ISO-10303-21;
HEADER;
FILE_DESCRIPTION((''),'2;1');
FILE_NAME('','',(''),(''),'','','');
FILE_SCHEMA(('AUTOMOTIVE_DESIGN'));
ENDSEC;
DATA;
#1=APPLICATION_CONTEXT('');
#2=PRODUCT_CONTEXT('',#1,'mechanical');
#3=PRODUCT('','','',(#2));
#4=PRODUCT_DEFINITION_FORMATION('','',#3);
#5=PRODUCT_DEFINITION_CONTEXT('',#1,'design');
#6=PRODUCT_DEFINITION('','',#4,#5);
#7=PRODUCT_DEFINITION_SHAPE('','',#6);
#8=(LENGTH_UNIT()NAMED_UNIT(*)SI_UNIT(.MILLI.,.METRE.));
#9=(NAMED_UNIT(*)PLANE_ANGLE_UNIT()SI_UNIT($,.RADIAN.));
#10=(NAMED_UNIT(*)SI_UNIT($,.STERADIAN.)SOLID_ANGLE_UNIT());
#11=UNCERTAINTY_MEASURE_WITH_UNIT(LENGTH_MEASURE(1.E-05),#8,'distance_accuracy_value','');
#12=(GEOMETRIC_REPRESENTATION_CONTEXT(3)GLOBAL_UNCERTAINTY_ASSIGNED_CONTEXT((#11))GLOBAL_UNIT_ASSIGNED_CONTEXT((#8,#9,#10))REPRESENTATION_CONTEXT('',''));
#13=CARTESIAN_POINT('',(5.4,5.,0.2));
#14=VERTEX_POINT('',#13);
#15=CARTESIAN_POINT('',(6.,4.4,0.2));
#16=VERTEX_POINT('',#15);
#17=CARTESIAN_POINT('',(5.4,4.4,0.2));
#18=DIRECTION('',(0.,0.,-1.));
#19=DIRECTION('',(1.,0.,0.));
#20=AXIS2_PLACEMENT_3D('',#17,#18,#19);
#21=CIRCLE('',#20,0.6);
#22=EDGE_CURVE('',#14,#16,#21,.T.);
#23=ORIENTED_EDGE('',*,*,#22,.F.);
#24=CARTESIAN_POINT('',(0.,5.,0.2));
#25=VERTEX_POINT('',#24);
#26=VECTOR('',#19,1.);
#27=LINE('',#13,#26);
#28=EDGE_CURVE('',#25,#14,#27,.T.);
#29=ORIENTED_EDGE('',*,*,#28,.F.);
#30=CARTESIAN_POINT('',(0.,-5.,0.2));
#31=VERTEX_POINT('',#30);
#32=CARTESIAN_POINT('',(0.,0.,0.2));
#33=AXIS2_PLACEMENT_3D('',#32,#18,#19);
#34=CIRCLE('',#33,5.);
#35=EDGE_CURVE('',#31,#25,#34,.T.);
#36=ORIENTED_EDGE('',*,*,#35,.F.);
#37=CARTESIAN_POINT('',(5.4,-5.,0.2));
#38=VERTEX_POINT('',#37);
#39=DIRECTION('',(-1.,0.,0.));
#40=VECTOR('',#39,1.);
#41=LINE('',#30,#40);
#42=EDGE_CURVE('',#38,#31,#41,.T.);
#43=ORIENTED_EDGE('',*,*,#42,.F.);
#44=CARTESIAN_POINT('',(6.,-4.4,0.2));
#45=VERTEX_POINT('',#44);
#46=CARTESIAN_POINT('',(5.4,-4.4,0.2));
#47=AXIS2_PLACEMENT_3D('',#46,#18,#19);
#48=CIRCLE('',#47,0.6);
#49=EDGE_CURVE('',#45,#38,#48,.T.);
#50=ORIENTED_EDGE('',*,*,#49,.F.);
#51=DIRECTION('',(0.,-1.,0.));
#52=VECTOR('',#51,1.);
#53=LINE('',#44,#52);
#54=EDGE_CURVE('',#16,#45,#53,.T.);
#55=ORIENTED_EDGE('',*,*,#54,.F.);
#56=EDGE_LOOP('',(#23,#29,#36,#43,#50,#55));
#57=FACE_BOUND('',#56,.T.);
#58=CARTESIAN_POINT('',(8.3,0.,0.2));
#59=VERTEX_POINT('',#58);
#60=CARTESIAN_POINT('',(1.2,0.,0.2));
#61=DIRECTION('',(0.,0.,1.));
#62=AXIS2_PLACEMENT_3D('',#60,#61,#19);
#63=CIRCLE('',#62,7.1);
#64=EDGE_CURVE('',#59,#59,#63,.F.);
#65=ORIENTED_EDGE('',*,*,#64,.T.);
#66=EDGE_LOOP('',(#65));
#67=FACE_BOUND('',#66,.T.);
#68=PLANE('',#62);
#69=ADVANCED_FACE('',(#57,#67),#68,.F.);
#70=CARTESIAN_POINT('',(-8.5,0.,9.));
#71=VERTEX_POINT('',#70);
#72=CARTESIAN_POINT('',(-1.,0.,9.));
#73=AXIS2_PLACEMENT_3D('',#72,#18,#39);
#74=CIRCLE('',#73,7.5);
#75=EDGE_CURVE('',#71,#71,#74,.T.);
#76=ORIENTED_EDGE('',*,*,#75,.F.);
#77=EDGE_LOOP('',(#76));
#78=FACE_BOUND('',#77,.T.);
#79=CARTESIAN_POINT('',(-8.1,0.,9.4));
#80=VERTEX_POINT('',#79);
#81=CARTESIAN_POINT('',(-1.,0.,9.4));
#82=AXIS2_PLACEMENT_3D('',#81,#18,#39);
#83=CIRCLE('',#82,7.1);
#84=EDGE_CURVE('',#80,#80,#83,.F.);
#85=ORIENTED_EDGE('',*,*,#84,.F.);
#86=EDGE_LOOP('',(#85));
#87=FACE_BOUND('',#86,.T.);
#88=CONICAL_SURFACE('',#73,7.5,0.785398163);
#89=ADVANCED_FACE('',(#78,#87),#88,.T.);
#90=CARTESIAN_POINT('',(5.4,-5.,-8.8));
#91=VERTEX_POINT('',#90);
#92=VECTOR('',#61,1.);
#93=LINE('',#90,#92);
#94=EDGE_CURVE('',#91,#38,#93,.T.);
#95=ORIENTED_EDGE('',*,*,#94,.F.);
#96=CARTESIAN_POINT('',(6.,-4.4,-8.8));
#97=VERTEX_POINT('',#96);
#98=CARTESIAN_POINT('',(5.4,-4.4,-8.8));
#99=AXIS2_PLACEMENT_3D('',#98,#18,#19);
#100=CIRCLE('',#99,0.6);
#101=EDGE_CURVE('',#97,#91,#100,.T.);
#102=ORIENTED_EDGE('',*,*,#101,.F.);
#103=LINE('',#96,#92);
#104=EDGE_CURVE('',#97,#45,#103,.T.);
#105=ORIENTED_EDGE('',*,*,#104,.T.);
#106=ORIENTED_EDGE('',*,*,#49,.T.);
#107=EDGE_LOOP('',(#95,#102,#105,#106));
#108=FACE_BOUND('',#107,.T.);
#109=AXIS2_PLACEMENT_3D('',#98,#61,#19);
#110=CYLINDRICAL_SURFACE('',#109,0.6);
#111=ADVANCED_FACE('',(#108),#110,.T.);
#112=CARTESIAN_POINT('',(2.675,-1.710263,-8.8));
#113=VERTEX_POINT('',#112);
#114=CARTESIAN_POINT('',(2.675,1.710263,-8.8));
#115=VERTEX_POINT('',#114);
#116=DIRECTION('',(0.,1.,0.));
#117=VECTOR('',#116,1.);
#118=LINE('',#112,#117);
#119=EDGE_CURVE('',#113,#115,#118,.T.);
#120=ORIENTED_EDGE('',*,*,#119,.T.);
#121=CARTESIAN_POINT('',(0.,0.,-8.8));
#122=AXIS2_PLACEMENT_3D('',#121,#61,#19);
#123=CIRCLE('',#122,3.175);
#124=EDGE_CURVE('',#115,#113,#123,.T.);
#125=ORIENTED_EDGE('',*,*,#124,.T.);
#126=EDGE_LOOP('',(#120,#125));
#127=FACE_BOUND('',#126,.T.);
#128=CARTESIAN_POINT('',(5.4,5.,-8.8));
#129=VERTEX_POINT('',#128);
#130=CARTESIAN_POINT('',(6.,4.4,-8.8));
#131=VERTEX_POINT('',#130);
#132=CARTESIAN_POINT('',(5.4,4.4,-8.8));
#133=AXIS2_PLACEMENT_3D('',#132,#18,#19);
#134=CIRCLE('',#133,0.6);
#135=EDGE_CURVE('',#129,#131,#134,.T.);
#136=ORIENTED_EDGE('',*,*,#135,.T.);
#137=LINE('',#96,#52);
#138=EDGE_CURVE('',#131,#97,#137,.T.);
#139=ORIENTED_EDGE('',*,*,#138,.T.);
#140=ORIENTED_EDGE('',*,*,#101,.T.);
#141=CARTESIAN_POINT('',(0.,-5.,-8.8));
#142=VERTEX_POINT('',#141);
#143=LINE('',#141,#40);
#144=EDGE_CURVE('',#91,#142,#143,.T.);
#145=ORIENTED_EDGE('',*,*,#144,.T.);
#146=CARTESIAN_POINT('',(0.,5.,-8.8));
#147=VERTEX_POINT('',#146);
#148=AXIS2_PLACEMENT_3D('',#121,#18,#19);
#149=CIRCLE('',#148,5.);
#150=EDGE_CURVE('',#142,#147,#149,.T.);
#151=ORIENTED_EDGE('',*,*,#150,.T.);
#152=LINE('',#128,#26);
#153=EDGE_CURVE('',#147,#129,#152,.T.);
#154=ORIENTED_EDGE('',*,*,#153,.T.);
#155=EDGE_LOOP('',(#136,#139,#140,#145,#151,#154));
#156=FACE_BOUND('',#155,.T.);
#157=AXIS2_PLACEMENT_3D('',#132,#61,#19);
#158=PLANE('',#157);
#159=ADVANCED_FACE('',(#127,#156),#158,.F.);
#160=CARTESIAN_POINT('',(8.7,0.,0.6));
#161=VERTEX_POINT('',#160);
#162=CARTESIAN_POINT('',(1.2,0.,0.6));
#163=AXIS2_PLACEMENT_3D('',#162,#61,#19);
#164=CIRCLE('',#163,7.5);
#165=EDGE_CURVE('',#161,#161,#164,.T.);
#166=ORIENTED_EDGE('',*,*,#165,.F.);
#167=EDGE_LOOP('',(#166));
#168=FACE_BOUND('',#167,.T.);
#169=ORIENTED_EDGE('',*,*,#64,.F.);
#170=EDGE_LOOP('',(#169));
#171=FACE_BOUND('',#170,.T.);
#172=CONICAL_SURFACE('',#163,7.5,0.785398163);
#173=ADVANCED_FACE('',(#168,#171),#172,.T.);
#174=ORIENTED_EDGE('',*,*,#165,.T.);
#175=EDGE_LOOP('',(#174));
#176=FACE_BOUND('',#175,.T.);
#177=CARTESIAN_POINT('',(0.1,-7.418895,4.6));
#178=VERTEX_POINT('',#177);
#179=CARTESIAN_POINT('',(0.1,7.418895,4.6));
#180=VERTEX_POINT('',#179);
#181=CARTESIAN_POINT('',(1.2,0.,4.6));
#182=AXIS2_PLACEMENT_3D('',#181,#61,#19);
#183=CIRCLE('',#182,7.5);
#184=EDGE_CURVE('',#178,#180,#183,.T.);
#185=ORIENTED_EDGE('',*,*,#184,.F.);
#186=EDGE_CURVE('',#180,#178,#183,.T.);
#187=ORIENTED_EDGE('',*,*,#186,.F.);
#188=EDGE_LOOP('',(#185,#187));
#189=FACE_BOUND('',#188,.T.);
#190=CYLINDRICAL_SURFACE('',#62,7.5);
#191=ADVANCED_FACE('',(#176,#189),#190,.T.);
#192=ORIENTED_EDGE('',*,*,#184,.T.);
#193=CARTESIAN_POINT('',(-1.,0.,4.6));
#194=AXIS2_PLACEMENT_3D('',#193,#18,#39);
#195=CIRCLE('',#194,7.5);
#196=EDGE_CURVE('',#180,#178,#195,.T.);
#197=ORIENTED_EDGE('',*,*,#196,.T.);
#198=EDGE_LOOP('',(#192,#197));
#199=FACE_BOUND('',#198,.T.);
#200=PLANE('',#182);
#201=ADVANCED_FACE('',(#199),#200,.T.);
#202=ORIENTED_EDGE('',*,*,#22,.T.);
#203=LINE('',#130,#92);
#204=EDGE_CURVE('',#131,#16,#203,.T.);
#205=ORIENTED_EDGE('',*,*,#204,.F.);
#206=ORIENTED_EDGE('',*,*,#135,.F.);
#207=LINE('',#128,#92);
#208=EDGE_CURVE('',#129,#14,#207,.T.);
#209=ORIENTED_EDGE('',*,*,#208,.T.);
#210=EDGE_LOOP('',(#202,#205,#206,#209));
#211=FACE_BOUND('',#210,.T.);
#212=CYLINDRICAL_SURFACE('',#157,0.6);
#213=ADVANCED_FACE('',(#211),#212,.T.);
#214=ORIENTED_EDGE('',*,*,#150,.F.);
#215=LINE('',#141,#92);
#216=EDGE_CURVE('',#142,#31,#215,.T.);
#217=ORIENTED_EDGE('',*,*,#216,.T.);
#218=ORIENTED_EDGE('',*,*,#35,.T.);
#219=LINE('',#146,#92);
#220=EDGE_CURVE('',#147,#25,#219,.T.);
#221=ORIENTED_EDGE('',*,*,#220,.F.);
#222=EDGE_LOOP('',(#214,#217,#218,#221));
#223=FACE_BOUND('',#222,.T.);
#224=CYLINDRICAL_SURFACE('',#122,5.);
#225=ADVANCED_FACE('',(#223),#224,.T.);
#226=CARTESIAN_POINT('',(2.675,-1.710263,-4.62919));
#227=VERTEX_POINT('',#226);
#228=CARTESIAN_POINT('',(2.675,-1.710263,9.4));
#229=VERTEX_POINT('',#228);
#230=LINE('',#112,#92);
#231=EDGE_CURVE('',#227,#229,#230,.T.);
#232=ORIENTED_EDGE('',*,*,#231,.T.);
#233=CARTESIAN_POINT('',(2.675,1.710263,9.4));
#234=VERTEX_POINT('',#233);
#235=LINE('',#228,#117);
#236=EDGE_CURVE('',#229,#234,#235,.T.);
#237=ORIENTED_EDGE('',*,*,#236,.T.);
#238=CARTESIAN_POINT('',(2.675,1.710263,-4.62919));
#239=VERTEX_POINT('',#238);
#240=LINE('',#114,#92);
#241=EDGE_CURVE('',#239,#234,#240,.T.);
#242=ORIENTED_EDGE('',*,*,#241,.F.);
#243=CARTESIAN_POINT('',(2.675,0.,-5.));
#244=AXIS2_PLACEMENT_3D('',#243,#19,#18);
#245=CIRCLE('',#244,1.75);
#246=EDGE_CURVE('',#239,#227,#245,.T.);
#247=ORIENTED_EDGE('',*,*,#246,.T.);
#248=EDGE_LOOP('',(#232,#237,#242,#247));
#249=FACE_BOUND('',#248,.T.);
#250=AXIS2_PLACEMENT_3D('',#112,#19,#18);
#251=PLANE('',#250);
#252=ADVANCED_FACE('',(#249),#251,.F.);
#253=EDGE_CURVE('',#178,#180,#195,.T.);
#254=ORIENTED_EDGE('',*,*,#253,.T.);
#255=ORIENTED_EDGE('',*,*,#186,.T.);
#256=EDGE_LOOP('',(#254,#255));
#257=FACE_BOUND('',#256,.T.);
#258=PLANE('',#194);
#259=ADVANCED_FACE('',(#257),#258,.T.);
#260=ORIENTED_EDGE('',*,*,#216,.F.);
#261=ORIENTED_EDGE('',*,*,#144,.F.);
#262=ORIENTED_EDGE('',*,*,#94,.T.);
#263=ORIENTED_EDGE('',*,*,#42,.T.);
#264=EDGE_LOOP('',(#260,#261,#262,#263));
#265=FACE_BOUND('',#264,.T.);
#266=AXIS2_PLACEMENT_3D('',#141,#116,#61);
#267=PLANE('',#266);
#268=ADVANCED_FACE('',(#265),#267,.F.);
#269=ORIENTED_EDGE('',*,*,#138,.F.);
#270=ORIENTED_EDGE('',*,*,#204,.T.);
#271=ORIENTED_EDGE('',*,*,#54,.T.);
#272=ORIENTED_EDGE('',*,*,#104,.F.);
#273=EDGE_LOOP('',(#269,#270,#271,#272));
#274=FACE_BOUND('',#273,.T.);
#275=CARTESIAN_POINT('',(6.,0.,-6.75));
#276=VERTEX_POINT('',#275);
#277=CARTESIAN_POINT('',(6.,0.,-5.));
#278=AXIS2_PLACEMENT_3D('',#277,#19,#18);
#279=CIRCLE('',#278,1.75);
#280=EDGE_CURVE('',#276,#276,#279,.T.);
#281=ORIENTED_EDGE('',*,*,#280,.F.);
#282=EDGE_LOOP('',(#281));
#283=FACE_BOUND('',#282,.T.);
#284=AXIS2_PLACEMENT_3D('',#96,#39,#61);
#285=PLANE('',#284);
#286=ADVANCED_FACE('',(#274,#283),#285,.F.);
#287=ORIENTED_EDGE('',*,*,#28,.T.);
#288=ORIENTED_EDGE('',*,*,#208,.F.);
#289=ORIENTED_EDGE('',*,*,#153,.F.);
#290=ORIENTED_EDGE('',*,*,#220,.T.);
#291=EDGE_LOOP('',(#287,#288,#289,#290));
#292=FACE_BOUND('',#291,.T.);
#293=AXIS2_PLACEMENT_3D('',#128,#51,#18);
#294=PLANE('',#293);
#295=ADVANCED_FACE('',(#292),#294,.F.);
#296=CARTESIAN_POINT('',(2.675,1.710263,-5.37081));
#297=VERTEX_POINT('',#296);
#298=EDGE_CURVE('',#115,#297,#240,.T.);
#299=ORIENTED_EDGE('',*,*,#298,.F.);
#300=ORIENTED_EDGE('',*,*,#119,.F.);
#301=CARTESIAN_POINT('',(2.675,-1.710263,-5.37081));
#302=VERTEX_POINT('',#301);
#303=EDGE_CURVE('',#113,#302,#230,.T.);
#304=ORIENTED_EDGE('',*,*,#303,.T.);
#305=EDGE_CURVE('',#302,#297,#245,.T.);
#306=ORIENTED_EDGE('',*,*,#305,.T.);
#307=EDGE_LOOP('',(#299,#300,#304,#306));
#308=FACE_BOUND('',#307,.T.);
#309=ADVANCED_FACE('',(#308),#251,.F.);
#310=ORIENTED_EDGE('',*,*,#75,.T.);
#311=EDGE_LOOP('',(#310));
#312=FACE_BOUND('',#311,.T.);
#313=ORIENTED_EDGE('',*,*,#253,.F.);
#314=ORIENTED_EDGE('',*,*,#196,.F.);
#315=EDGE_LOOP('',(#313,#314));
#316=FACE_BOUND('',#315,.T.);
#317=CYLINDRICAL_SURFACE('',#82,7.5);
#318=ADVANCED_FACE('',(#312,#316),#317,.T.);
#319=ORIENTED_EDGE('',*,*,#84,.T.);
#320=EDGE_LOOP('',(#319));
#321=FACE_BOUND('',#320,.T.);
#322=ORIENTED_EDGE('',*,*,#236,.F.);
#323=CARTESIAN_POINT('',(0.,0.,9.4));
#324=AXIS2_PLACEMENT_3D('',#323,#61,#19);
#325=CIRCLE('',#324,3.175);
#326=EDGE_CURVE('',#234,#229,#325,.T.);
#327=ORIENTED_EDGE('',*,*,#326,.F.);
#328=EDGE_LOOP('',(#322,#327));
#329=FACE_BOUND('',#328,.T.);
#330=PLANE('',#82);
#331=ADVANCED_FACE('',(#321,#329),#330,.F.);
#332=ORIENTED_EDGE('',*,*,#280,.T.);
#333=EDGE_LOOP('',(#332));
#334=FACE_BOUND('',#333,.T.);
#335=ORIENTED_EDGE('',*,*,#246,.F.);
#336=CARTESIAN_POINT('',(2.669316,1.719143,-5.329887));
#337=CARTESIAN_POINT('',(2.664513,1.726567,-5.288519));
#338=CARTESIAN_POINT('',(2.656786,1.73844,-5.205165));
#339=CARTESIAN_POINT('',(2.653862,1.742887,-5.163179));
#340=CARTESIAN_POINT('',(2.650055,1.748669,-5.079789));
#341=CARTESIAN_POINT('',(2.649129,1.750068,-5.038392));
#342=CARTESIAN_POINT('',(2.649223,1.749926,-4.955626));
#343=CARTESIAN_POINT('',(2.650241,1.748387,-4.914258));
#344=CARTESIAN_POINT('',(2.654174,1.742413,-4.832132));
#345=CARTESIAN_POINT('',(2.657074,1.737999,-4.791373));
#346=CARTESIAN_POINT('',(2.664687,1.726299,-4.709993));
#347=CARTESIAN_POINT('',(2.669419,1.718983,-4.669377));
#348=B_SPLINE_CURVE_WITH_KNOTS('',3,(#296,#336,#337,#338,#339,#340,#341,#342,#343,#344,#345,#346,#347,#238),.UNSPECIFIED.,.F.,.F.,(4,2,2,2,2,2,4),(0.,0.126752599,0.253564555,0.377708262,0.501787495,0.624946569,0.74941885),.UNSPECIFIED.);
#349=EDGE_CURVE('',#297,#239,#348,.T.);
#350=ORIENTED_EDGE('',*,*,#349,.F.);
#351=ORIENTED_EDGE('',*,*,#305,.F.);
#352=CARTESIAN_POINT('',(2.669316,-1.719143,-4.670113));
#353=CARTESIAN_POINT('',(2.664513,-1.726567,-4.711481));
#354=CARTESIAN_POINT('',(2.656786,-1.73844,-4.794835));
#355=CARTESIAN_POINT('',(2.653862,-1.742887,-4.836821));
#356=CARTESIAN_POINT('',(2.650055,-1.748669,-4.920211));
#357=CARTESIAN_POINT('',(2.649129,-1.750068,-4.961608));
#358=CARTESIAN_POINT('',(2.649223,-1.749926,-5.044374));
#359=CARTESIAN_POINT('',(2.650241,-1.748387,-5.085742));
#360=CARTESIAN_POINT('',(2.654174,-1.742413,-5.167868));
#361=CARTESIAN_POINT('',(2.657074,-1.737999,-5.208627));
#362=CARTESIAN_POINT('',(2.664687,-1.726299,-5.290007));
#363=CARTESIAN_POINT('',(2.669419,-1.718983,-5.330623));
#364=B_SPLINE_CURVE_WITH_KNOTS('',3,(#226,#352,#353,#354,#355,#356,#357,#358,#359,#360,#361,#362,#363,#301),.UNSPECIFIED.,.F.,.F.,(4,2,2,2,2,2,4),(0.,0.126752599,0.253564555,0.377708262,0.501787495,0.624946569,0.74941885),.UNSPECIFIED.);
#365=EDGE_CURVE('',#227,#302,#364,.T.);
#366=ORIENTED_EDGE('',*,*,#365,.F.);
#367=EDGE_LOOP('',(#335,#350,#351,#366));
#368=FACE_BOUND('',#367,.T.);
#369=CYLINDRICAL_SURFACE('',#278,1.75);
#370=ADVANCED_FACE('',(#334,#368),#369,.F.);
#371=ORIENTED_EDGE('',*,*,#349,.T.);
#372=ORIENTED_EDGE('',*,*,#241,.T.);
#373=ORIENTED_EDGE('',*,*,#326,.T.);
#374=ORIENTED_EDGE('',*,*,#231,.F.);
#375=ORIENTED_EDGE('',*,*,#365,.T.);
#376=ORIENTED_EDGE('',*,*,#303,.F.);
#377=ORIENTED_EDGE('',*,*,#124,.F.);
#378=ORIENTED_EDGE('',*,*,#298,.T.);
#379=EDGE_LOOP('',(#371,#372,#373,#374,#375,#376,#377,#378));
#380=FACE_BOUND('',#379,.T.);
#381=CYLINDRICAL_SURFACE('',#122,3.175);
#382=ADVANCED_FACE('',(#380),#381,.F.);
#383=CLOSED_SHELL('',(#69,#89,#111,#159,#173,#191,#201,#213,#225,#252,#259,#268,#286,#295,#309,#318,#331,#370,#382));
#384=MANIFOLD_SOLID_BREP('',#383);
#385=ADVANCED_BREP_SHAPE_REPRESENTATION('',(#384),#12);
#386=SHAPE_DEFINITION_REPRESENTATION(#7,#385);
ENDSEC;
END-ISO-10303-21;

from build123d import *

# Parameters (mm, degrees)
BOSS_EXTRUDE4_DEPTH            = 4.2
BOSS_EXTRUDE4_DEPTH_BACK       = 0.2
SKETCH10_R                     = 7.5
BOSS_EXTRUDE5_DEPTH            = 9
SKETCH16_R                     = 7.5
BOSS_EXTRUDE6_DEPTH            = 4.8
CUT_EXTRUDE2_DEPTH             = 22.52161704
F_3_5_3_5_DIAMETER_HOLE0_D     = 3.5
F_3_5_3_5_DIAMETER_HOLE0_DEPTH = 4
F_3_5_3_5_DIAMETER_HOLE0_TIP   = 1.051506083
CHAMFER2_SIZE                  = 0.4


with BuildPart() as part:
    # Sketch10 → Boss-Extrude4 (new, two sides: drawn at the far end of the back side and taken through both)
    with BuildSketch(Plane.XY.offset(0.4).offset(-BOSS_EXTRUDE4_DEPTH_BACK)):
        with Locations((1.2, 0)):
            Circle(SKETCH10_R)
    extrude(amount=BOSS_EXTRUDE4_DEPTH + BOSS_EXTRUDE4_DEPTH_BACK)

    # Sketch11 → Boss-Extrude5 (add)
    with BuildSketch(Plane(origin=(0, 0, 0.2), x_dir=(-1, 0, 0), z_dir=(0, 0, -1))):
        with BuildLine():
            Line((-6, -4.4), (-6, 4.4))
            ThreePointArc((-6, 4.4), (-5.824264069, 4.824264069), (-5.4, 5))
            Line((-5.4, 5), (0, 5))
            ThreePointArc((0, 5), (5, 0), (0, -5))
            Line((0, -5), (-5.4, -5))
            ThreePointArc((-5.4, -5), (-5.824264069, -4.824264069), (-6, -4.4))
        make_face()
    extrude(amount=BOSS_EXTRUDE5_DEPTH)

    # Sketch16 → Boss-Extrude6 (add)
    with BuildSketch(Plane(origin=(0, 0, 4.6), x_dir=(-1, 0, 0), z_dir=(0, 0, -1))):
        with Locations((1, 0)):
            Circle(SKETCH16_R)
    extrude(amount=-BOSS_EXTRUDE6_DEPTH)

    # Sketch17 → Cut-Extrude2 (cut, through all)
    with BuildSketch(Plane.XY.offset(9.4)):
        with BuildLine():
            Line((2.675, -1.710263138), (2.675, 1.710263138))
            ThreePointArc((2.675, 1.710263138), (-3.175, 0), (2.675, -1.710263138))
        make_face()
    extrude(amount=-CUT_EXTRUDE2_DEPTH, mode=Mode.SUBTRACT)

    # Ø3.5 (3.5) Diameter Hole0
    with Locations(Plane(origin=(6, 0, 0), x_dir=(0, 0, -1), z_dir=(1, 0, 0))):
        with Locations((5, 0)):
            Hole(F_3_5_3_5_DIAMETER_HOLE0_D / 2, depth=F_3_5_3_5_DIAMETER_HOLE0_DEPTH)
            with Locations((0, 0, -(F_3_5_3_5_DIAMETER_HOLE0_DEPTH + F_3_5_3_5_DIAMETER_HOLE0_TIP / 2))):  # 118° drill point
                Cone(0, F_3_5_3_5_DIAMETER_HOLE0_D / 2, F_3_5_3_5_DIAMETER_HOLE0_TIP, mode=Mode.SUBTRACT)

    # Chamfer2
    chamfer2_edges = [part.edges().sort_by_distance(p)[0] for p in [
        (6.5, 0, 9.4),
        (-6.3, 0, 0.2),
    ]]
    chamfer(chamfer2_edges, length=CHAMFER2_SIZE)


solid = part.part
